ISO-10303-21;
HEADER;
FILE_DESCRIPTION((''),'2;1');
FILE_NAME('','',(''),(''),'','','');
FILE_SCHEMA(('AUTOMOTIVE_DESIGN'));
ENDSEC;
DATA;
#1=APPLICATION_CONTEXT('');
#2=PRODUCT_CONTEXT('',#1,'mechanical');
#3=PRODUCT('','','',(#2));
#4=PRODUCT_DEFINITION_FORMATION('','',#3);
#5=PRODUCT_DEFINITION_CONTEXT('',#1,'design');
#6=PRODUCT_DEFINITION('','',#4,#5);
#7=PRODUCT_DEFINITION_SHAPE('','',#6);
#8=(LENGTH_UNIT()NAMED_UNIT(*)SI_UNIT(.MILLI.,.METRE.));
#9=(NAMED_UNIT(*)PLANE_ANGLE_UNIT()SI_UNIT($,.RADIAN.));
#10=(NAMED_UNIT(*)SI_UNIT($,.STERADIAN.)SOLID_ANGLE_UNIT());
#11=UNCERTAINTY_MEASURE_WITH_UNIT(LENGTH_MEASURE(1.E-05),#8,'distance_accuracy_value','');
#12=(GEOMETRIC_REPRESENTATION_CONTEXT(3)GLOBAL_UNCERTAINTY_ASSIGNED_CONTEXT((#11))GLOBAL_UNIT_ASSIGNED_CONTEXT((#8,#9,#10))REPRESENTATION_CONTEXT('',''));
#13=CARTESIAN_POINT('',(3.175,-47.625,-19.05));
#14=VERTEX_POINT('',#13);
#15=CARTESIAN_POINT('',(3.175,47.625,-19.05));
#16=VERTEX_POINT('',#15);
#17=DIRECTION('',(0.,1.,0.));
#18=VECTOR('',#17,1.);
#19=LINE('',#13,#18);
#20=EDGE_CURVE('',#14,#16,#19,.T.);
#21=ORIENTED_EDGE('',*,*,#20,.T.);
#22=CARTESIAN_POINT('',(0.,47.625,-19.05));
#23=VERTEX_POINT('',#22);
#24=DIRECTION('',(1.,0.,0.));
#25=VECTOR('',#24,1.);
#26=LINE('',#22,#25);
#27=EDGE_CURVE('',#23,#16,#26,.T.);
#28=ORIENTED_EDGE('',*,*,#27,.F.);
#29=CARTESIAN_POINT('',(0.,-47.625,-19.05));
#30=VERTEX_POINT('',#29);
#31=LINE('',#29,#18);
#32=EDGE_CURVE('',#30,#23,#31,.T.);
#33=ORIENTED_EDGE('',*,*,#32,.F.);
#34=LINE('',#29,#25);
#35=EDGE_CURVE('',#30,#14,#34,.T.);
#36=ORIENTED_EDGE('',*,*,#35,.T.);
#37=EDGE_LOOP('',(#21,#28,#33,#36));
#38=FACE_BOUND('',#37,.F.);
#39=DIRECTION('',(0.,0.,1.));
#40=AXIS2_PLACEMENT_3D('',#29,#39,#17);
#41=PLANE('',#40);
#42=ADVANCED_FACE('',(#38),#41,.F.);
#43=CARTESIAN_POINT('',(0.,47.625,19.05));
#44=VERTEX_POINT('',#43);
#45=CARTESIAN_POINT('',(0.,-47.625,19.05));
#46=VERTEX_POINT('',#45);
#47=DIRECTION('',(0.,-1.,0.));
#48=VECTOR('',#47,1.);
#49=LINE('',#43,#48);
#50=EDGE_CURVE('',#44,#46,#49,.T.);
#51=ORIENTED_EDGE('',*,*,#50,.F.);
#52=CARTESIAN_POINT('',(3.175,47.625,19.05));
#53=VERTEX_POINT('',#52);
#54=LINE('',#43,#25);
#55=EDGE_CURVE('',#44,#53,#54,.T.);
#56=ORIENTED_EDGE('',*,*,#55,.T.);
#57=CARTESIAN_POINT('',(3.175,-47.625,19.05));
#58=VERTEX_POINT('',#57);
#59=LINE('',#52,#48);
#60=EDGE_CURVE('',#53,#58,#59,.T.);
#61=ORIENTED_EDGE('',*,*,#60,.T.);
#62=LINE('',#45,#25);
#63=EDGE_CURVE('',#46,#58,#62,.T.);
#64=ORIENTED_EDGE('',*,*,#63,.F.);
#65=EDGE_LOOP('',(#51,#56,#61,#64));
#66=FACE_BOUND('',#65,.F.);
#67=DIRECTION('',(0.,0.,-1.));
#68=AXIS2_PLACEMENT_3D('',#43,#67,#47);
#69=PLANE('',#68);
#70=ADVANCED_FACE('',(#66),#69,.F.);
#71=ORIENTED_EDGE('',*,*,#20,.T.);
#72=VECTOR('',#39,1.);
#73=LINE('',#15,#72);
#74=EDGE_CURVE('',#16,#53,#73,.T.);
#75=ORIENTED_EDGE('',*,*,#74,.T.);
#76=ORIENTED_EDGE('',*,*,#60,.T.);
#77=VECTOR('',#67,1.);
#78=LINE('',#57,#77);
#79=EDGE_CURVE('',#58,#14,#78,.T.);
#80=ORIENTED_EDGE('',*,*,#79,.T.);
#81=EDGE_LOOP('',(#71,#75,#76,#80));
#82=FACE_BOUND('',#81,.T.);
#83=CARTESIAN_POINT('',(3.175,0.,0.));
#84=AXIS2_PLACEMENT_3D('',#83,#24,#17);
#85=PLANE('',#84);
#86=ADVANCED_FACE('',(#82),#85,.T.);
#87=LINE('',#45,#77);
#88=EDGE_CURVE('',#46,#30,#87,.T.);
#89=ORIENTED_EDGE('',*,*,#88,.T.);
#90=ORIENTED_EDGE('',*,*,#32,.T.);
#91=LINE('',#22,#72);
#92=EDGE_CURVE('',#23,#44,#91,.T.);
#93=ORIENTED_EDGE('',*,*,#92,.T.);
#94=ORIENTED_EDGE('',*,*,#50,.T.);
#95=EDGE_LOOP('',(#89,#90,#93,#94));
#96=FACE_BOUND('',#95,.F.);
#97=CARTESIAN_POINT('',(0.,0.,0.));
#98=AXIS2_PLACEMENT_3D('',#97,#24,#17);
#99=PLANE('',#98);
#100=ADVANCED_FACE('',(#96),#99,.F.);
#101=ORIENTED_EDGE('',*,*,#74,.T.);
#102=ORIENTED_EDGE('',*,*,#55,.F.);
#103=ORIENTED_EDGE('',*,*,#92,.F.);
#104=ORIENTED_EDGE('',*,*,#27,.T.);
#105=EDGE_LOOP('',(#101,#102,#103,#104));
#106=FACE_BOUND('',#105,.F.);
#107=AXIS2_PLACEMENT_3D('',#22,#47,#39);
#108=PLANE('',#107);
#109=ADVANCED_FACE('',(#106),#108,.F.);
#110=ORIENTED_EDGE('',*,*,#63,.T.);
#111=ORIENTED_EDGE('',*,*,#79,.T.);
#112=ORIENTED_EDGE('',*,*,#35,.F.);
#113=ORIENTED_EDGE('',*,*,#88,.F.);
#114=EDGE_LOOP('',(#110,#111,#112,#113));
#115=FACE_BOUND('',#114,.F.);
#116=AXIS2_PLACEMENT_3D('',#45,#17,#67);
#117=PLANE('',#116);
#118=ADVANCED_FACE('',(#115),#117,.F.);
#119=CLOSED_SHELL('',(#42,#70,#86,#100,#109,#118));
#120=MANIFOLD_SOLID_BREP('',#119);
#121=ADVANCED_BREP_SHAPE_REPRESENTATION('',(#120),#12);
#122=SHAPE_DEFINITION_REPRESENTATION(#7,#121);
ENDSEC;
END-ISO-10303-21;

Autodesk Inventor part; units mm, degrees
ref_plane "YZ Plane" through (0, 0, 0) normal (1, 0, 0) x (0, 1, 0)
ref_plane "XZ Plane" through (0, 0, 0) normal (0, 1, 0) x (-1, 0, 0)
ref_plane "XY Plane" through (0, 0, 0) normal (0, 0, 1) x (1, 0, 0)
sketch "Sketch1" plane through (0, 0, 0) normal (1, 0, 0) x (0, 1, 0)
  line L0 (47.625, 19.05) -> (-47.625, 19.05)
  line L1 (-47.625, 19.05) -> (-47.625, -19.05)
  line L2 (-47.625, -19.05) -> (47.625, -19.05)
  line L3 (47.625, -19.05) -> (47.625, 19.05)
  line L4 (47.625, 19.05) -> (-47.625, -19.05) construction
  line L5 (-47.625, 19.05) -> (47.625, -19.05) construction
  point P0 (0, 0)
  dimension "d0" = 95.25
  dimension "d1" = 38.1
extrude "Extrusion1" add sketch "Sketch1" along normal blind 3.175
properties part number "Top Plate" material "UHMW, White"
